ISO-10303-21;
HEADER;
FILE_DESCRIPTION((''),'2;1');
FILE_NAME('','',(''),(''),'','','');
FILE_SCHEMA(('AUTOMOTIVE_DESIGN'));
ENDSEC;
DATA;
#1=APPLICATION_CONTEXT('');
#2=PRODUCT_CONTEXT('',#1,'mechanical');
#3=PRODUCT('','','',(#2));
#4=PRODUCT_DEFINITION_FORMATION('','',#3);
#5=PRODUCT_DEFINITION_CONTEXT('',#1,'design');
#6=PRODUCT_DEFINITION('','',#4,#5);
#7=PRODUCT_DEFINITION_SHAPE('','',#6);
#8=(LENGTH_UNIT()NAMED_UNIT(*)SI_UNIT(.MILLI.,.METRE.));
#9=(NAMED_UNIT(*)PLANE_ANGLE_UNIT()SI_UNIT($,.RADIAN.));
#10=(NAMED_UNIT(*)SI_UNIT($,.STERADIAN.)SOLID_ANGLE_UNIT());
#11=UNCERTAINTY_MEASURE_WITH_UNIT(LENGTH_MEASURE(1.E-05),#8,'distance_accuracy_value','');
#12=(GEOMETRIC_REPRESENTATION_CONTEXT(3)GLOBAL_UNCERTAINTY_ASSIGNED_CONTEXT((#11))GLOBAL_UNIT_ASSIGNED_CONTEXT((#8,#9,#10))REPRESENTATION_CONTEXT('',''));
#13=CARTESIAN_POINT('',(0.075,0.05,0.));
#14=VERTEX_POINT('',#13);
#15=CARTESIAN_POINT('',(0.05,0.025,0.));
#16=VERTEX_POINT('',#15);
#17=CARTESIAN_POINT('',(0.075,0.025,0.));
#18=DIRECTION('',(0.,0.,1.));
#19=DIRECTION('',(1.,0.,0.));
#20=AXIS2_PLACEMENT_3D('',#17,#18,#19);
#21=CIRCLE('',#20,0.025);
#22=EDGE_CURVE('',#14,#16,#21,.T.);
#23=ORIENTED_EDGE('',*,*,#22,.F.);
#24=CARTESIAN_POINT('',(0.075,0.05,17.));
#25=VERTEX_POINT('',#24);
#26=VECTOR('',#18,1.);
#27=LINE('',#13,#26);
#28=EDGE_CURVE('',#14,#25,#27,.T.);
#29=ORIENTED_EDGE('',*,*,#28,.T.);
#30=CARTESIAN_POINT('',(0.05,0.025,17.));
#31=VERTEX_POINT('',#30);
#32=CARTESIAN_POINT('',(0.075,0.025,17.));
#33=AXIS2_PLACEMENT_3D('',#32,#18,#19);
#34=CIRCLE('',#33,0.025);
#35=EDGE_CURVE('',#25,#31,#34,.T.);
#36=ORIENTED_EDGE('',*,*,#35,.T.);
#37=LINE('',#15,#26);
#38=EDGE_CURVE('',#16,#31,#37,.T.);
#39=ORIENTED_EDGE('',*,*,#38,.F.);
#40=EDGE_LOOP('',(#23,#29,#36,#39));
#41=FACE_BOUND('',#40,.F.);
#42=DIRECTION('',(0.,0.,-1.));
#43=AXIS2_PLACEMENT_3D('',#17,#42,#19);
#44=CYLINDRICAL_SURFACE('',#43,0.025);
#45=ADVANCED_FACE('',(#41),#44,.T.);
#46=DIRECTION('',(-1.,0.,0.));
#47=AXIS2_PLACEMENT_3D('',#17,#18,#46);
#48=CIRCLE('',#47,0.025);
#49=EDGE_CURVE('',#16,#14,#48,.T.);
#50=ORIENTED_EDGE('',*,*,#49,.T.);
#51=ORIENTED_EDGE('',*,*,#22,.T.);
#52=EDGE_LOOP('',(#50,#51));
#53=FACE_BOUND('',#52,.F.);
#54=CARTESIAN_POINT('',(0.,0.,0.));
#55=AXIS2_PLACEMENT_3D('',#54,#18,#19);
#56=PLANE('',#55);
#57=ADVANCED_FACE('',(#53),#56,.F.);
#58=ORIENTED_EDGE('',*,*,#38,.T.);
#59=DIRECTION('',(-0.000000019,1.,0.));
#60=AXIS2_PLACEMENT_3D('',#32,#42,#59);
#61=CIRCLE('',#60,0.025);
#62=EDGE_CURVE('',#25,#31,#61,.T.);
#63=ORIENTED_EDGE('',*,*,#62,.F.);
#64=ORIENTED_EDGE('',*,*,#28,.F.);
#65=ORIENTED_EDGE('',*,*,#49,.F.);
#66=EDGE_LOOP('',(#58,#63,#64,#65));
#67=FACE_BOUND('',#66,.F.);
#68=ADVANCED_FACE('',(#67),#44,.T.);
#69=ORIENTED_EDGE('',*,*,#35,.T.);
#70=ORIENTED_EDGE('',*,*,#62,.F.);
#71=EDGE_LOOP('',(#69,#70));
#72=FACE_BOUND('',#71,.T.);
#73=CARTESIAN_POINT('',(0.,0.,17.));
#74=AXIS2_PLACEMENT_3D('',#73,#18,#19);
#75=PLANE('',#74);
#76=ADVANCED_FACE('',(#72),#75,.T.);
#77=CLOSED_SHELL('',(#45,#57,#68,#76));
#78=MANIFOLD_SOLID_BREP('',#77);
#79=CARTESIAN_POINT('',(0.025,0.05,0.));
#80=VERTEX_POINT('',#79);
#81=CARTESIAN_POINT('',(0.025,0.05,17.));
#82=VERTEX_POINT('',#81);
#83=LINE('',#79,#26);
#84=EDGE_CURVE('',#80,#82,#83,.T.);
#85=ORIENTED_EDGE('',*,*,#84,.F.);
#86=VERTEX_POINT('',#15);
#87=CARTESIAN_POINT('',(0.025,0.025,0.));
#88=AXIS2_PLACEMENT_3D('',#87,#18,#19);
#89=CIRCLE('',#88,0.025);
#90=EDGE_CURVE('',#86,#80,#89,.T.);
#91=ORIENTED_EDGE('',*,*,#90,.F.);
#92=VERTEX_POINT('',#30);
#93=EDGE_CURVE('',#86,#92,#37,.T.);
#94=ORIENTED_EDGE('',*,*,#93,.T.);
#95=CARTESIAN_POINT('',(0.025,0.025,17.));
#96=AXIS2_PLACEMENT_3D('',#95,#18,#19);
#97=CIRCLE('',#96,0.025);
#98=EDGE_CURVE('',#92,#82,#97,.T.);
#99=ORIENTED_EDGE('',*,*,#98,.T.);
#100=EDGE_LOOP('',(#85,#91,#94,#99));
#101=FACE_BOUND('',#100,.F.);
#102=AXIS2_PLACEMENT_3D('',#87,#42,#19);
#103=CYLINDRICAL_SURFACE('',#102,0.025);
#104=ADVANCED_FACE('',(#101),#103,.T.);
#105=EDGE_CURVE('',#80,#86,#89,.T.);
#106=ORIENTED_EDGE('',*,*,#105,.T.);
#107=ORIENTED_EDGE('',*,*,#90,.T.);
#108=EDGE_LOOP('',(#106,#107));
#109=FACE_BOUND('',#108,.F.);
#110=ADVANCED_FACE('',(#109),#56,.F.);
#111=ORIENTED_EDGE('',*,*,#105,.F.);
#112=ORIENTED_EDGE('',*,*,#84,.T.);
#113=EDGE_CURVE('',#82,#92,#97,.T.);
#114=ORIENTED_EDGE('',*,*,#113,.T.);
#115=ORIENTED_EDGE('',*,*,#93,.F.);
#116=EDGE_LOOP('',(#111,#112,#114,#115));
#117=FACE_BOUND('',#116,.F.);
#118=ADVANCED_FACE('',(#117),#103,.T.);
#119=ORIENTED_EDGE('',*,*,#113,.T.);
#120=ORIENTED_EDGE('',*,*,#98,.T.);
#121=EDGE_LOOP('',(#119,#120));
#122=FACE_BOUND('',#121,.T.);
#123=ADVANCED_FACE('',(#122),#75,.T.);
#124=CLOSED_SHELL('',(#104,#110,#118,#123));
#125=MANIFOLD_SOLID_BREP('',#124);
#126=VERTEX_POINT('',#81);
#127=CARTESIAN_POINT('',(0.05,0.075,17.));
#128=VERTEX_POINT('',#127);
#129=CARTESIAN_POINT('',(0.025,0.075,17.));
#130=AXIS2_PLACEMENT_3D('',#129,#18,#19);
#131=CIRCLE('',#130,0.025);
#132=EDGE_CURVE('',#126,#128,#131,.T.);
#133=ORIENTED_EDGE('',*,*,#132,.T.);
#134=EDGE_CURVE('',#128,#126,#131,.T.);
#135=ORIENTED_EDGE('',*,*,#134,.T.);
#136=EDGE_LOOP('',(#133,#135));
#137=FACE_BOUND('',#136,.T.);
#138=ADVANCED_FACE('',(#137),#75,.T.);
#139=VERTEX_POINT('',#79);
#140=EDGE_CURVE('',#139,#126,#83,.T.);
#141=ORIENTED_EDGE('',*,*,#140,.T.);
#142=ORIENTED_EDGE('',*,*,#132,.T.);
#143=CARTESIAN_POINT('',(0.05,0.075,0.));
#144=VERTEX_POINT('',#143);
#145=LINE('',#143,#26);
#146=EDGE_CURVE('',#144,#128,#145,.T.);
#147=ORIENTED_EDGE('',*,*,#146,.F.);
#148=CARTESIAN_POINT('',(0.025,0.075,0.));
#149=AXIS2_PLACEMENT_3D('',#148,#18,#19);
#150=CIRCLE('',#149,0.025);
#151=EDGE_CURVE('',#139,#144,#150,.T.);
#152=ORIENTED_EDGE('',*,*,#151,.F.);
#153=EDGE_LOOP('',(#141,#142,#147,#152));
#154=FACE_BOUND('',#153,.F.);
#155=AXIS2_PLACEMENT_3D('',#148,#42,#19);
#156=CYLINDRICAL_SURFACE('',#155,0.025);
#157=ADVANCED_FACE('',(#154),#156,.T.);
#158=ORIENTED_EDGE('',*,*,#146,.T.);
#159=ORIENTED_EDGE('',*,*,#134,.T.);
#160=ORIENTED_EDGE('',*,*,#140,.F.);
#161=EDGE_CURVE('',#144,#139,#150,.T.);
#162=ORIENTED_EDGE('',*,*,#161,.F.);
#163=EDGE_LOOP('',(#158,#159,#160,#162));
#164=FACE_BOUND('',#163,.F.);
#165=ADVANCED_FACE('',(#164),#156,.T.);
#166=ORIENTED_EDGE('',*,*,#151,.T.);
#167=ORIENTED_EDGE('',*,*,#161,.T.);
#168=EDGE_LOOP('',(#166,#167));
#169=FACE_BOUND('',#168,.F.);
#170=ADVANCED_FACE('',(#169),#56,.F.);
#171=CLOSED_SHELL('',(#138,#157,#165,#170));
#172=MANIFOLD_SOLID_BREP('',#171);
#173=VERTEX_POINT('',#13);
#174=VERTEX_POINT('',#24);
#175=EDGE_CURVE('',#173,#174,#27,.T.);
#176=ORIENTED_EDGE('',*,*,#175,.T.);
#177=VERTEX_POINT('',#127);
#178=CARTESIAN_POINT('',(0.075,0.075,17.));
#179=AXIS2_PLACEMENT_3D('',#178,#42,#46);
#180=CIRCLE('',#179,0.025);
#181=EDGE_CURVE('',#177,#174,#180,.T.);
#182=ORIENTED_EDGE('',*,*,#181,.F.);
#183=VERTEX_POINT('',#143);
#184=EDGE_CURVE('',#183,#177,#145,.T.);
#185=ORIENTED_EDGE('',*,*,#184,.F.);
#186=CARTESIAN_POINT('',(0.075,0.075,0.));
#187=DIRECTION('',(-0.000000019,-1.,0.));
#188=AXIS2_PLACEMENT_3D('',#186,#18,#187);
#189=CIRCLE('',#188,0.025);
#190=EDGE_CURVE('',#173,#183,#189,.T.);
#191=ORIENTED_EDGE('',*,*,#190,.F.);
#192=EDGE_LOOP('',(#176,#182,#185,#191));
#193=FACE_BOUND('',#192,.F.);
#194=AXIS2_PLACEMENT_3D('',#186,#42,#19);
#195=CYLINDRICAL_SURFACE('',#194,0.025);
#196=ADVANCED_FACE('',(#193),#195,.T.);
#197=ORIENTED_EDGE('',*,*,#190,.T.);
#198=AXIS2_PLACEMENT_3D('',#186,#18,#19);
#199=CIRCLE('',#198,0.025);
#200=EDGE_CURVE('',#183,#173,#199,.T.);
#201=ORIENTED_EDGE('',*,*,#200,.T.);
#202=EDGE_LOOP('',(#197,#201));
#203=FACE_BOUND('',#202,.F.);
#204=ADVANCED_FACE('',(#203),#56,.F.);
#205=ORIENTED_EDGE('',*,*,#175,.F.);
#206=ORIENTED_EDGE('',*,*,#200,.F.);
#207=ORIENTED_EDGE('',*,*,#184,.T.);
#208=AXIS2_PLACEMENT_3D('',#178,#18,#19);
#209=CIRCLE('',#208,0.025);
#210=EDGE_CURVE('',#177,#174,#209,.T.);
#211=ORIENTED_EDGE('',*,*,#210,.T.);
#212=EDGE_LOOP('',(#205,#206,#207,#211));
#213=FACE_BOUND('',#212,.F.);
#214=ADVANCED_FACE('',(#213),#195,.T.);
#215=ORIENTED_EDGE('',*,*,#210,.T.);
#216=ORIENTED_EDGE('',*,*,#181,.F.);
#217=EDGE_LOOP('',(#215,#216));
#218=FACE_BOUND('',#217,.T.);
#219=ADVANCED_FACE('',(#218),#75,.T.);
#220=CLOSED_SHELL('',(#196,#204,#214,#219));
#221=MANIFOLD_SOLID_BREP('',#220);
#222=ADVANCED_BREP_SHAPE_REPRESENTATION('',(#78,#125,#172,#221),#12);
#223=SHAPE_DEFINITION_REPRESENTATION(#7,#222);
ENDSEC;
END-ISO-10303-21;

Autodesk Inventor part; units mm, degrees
ref_plane "YZ Plane" through (0, 0, 0) normal (1, 0, 0) x (0, 1, 0)
ref_plane "XZ Plane" through (0, 0, 0) normal (0, 1, 0) x (-1, 0, 0)
ref_plane "XY Plane" through (0, 0, 0) normal (0, 0, 1) x (1, 0, 0)
sketch "Sketch2" plane through (0, 0, 0) normal (0, 0, 1) x (1, 0, 0)
  line L0 (0, 0) -> (0.1, 0) construction
  line L1 (0.1, 0) -> (0.1, 0.1)
  line L2 (0.1, 0.1) -> (0, 0.1) construction
  line L3 (0, 0.1) -> (0, 0) construction
  circle A0 centre (0.025, 0.075) radius 0.025
  circle A1 centre (0.075, 0.075) radius 0.025
  circle A2 centre (0.025, 0.025) radius 0.025
  circle A3 centre (0.075, 0.025) radius 0.025
  line L4 (0, 0.05) -> (0.1, 0.05)
  point P0 (0.05, 0.05)
  dimension "d11" = 0.1
  dimension "d12" = 0.1
  dimension "d13" = 0.05
  dimension "d14" = 0.05
  dimension "d16" = 0.05
  dimension "d18" = 0.05
  dimension "d22" = 0.05
  dimension "d23" = 0.05
extrude "Extrusion1" add sketch "Sketch2" along normal blind 17 contours A3 | A2 | A1 | A0
sketch "스케치3" plane through (0, 0, 17) normal (0, 0, 1) x (1, 0, 0)
  arc A0 (0.05, 0.025) -> (0.025, 0.05) centre (0.025, 0.025) ccw construction
  arc A1 (0.025, 0.05) -> (0.05, 0.025) centre (0.025, 0.025) ccw construction
  arc A2 (0.05, 0.075) -> (0.025, 0.05) centre (0.025, 0.075) ccw construction
  arc A3 (0.025, 0.05) -> (0.05, 0.075) centre (0.025, 0.075) ccw construction
  arc A4 (0.075, 0.05) -> (0.05, 0.075) centre (0.075, 0.075) ccw construction
  arc A5 (0.05, 0.075) -> (0.075, 0.05) centre (0.075, 0.075) ccw construction
  arc A6 (0.05, 0.025) -> (0.075, 0.05) centre (0.075, 0.025) ccw construction
  arc A7 (0.075, 0.05) -> (0.05, 0.025) centre (0.075, 0.025) ccw construction
  arc A8 (0.025, 0.05) -> (0.05, 0.075) centre (0.025, 0.075) ccw construction
  arc A9 (0.05, 0.075) -> (0.075, 0.05) centre (0.075, 0.075) ccw construction
  line L0 (0.025, 0.05) -> (0.075, 0.05) construction
  point P0 (0, 0)
  point P1 (0.05, 0.05)
equation "\"d13\" = 0.5 * d12"
equation "\"d14\" = 0.5 * d15"
equation "\"d16\" = 0.5 * d17"
equation "\"d18\" = 0.5 * d19"
equation "\"d15\" = 0.1"
equation "\"d17\" = 0.1"
equation "\"d19\" = 0.1"
properties part number "Tetrode"
